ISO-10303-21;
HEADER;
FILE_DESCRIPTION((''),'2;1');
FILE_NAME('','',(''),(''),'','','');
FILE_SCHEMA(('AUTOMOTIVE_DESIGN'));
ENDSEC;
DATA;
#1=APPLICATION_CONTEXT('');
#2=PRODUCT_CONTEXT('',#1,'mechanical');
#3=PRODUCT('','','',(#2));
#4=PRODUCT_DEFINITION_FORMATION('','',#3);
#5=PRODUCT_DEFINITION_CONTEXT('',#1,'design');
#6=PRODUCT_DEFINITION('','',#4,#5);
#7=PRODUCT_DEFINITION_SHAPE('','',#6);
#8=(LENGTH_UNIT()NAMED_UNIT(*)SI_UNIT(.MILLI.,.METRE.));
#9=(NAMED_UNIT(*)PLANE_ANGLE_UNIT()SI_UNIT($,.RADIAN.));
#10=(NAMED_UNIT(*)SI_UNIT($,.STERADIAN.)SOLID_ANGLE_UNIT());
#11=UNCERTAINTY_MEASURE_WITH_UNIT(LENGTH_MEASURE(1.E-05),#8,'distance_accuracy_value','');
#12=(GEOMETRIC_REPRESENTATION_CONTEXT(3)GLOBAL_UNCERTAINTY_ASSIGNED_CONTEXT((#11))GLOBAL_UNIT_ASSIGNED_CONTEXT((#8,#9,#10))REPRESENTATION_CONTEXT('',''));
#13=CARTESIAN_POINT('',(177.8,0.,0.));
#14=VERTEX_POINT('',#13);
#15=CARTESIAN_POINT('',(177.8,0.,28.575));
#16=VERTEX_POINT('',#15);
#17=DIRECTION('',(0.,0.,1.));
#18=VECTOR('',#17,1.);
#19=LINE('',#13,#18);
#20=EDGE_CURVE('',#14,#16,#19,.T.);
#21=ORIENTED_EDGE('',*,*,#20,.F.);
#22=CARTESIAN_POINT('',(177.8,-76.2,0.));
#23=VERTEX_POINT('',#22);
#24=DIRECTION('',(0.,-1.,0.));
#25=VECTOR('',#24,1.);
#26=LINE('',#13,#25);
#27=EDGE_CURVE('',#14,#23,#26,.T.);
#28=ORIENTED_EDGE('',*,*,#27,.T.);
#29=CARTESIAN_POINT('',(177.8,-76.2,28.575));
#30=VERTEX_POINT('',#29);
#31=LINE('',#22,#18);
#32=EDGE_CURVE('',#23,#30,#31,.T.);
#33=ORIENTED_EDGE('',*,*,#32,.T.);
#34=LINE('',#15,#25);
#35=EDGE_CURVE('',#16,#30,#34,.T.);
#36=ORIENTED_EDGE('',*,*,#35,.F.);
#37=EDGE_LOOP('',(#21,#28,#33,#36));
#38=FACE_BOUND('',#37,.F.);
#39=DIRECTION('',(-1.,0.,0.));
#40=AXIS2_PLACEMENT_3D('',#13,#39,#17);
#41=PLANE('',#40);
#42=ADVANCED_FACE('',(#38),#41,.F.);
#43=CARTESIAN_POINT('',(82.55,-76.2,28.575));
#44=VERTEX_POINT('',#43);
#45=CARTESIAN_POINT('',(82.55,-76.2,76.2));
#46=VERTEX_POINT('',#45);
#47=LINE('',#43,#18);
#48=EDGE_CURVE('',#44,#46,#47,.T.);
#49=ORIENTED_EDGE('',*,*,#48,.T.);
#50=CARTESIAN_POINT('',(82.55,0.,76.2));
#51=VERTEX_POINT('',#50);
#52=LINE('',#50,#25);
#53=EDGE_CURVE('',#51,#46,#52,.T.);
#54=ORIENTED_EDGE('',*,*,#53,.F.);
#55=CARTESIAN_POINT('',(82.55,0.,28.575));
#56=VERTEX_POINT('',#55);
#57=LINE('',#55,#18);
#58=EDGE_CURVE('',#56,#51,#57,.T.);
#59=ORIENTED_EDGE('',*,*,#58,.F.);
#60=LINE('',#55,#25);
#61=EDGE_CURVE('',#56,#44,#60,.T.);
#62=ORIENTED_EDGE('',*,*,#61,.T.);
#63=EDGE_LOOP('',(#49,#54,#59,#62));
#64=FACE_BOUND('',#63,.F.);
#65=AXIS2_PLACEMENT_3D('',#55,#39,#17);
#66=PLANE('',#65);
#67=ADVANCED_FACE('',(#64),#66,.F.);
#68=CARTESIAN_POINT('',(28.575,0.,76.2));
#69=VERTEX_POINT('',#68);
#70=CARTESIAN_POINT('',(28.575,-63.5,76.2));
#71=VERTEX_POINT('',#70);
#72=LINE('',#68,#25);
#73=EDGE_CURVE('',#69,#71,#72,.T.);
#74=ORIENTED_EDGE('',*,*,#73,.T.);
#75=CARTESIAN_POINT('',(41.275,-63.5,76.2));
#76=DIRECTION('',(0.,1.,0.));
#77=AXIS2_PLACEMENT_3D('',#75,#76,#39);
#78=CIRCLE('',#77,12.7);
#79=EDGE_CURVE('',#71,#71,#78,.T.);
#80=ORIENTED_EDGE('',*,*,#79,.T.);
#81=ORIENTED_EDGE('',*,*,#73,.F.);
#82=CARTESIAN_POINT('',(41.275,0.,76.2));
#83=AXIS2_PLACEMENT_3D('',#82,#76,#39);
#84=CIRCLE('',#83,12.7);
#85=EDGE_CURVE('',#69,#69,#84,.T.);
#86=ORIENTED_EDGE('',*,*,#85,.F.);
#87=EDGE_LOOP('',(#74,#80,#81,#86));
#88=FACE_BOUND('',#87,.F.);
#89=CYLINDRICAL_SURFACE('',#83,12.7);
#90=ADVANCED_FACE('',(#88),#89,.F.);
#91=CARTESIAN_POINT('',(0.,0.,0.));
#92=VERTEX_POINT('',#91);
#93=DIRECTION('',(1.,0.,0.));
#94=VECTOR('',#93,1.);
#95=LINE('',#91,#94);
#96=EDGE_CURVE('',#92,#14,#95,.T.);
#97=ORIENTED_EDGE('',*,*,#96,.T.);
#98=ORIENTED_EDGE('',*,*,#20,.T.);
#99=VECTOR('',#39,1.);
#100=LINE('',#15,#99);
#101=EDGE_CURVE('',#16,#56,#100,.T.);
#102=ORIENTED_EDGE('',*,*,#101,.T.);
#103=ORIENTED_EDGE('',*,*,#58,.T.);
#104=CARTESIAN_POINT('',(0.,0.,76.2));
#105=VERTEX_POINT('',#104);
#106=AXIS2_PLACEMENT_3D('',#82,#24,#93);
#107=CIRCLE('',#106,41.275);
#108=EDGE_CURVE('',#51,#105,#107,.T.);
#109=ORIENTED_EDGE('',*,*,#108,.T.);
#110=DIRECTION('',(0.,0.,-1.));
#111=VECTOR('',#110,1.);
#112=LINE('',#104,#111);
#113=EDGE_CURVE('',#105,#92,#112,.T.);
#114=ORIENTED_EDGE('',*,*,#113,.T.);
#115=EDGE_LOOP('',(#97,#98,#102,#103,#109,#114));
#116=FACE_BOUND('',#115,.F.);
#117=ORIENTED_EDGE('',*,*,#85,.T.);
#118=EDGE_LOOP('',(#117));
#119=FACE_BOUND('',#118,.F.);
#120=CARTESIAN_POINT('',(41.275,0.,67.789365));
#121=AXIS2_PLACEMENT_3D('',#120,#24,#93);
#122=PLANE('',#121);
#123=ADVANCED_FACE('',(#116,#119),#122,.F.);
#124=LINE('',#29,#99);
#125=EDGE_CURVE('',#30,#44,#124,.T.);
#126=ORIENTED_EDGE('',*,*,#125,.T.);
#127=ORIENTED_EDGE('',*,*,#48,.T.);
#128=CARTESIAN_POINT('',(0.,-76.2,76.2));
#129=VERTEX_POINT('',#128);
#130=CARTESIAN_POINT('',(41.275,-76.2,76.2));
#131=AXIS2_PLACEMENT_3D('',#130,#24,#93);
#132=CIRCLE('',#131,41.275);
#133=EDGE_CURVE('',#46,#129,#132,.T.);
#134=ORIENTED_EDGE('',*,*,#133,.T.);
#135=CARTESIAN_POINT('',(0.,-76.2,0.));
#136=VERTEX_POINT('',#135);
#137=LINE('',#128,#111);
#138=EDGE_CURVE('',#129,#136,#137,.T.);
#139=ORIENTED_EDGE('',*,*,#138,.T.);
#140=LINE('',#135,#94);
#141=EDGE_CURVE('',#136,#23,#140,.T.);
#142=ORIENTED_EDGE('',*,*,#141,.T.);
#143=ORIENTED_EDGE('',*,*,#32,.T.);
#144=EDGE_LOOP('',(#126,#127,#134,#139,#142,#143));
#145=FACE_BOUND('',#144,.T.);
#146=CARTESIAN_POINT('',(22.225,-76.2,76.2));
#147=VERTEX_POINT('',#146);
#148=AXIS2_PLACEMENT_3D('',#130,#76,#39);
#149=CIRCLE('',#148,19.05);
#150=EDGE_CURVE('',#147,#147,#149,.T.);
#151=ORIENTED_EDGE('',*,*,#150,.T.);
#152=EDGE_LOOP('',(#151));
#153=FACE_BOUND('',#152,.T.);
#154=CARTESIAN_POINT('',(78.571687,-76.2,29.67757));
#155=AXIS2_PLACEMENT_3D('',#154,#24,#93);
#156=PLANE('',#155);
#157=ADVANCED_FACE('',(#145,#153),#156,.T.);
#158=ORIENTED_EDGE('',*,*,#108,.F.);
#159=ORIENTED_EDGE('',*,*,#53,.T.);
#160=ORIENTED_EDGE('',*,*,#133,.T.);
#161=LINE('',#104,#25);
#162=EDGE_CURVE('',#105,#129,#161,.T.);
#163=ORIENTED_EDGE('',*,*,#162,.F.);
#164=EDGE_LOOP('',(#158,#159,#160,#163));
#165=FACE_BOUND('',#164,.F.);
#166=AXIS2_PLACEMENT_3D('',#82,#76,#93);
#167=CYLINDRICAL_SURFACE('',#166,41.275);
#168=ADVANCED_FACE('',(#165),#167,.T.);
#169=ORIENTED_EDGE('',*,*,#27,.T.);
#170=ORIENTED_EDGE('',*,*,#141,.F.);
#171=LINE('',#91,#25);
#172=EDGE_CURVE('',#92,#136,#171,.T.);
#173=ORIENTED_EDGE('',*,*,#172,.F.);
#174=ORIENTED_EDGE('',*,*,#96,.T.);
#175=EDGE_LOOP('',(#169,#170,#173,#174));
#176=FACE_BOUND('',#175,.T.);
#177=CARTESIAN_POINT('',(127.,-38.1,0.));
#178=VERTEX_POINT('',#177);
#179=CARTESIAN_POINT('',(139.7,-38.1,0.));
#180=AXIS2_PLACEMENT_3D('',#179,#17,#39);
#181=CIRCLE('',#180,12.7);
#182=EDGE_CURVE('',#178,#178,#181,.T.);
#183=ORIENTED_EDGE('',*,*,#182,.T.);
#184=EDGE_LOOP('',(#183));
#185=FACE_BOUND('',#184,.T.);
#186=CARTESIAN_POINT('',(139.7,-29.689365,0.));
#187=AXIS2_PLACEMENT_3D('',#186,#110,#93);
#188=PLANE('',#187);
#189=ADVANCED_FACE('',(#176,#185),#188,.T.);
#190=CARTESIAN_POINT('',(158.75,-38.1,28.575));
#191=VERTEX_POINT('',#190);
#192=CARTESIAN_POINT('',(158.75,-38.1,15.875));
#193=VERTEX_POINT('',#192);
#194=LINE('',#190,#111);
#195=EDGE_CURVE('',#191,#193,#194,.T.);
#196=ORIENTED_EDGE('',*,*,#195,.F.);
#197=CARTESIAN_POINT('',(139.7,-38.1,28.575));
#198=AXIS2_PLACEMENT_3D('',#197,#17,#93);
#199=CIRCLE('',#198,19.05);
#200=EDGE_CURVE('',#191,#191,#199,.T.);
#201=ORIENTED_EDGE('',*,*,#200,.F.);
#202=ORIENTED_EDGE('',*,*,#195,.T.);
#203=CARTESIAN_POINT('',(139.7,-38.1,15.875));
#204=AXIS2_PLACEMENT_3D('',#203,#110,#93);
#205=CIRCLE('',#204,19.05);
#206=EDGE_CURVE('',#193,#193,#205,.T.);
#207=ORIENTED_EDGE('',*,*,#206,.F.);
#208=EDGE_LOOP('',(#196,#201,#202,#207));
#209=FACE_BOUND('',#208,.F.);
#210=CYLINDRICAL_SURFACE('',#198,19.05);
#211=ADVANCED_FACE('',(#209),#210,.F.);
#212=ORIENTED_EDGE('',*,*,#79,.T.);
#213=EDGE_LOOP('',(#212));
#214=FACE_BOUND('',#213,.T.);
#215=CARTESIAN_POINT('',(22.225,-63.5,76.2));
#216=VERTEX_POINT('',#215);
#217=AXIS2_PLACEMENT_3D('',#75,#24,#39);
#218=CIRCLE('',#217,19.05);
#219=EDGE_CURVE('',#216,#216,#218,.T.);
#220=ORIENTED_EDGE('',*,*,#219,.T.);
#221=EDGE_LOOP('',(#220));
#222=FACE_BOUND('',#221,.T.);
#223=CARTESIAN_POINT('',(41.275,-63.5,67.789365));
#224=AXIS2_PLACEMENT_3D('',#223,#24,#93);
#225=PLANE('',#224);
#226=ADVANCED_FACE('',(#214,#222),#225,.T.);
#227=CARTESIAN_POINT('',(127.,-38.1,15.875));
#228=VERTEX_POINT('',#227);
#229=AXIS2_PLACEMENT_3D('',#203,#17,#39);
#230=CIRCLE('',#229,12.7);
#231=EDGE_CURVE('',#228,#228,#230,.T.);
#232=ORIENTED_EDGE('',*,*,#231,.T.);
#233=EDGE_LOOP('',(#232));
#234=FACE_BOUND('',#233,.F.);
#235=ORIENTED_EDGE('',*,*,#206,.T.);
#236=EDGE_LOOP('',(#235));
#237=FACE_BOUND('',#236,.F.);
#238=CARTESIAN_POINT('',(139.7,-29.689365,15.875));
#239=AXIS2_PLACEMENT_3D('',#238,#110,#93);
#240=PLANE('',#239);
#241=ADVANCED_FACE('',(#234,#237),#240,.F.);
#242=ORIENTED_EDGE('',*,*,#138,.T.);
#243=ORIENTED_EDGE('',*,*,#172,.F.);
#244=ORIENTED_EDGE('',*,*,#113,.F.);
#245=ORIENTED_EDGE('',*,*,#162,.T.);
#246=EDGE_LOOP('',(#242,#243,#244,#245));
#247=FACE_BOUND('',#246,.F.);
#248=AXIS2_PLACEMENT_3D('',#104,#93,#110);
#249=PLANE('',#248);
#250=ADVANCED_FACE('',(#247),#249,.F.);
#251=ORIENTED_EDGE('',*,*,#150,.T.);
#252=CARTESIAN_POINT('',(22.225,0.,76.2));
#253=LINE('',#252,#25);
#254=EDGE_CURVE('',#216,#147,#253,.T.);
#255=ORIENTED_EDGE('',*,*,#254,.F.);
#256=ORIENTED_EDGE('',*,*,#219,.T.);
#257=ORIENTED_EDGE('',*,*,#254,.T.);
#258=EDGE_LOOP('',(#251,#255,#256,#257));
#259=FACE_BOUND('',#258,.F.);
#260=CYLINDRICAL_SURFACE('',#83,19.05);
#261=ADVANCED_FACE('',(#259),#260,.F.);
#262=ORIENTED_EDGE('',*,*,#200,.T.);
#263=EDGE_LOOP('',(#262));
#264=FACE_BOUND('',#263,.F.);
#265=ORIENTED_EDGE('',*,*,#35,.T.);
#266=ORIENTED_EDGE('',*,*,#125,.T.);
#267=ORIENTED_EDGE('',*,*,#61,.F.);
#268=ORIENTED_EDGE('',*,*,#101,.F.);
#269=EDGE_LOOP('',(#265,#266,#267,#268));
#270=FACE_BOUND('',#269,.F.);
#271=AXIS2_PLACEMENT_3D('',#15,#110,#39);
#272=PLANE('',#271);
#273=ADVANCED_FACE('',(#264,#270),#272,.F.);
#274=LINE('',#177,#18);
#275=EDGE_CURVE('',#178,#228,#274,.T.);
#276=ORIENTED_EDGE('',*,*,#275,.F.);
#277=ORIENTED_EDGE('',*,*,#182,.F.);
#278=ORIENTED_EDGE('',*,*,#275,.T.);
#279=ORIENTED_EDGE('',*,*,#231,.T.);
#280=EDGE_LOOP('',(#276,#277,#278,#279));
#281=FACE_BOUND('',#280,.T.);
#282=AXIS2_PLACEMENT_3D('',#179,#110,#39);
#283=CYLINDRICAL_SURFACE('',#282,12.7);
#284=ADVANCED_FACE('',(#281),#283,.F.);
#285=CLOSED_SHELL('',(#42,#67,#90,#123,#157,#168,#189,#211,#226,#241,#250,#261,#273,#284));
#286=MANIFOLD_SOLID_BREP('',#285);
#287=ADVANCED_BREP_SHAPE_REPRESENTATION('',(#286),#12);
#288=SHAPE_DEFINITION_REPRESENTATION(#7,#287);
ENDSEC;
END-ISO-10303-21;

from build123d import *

# Parameters (mm, degrees)
F1_DEPTH = 76.2
F2_DEPTH = 63.5
F3_R     = 19.05
F4_DEPTH = 127
F6_DEPTH = 15.875


with BuildPart() as f1:
    # F0 (on Front) → F1 (new body)
    with BuildSketch(Plane.XZ):
        with BuildLine():
            Line((0, 76.2), (0, 0))
            Line((0, 0), (177.8, 0))
            Line((177.8, 0), (177.8, 28.575))
            Line((177.8, 28.575), (82.55, 28.575))
            Line((82.55, 28.575), (82.55, 76.2))
            Line((82.55, 76.2), (60.325, 76.2))
            ThreePointArc((60.325, 76.2), (41.275, 57.15), (22.225, 76.2))
            Line((22.225, 76.2), (0, 76.2))
        make_face()
        with BuildLine():
            ThreePointArc((82.55, 76.2), (41.275, 117.475), (0, 76.2))
            Line((0, 76.2), (22.225, 76.2))
            ThreePointArc((22.225, 76.2), (41.275, 95.25), (60.325, 76.2))
            Line((60.325, 76.2), (82.55, 76.2))
        make_face()
    extrude(amount=F1_DEPTH)

    # F0 (on Front) → F2 (join)
    with BuildSketch(Plane.XZ):
        with BuildLine():
            Line((28.575, 76.2), (22.225, 76.2))
            ThreePointArc((22.225, 76.2), (41.275, 57.15), (60.325, 76.2))
            Line((60.325, 76.2), (53.975, 76.2))
            ThreePointArc((53.975, 76.2), (41.275, 63.5), (28.575, 76.2))
        make_face()
        with BuildLine():
            ThreePointArc((60.325, 76.2), (41.275, 95.25), (22.225, 76.2))
            Line((22.225, 76.2), (28.575, 76.2))
            ThreePointArc((28.575, 76.2), (41.275, 88.9), (53.975, 76.2))
            Line((53.975, 76.2), (60.325, 76.2))
        make_face()
    extrude(amount=F2_DEPTH)

    # F3 (on face) → F4 (cut)
    with BuildSketch(Plane.XY.offset(28.575)):
        with Locations((139.7, -38.1)):
            Circle(F3_R)
    extrude(amount=-F4_DEPTH, mode=Mode.SUBTRACT)

    # F5 (on face) → F6 (join)
    with BuildSketch(Plane(origin=(0, 0, 0), x_dir=(1, 0, 0), z_dir=(0, 0, -1))):
        with BuildLine():
            ThreePointArc((120.65, 38.1), (139.7, 19.05), (158.75, 38.1))
            Line((158.75, 38.1), (152.4, 38.1))
            ThreePointArc((152.4, 38.1), (139.7, 25.4), (127, 38.1))
            Line((127, 38.1), (120.65, 38.1))
        make_face()
        with BuildLine():
            Line((152.4, 38.1), (158.75, 38.1))
            ThreePointArc((158.75, 38.1), (139.7, 57.15), (120.65, 38.1))
            Line((120.65, 38.1), (127, 38.1))
            ThreePointArc((127, 38.1), (139.7, 50.8), (152.4, 38.1))
        make_face()
    extrude(amount=-F6_DEPTH)


solid = f1.part
